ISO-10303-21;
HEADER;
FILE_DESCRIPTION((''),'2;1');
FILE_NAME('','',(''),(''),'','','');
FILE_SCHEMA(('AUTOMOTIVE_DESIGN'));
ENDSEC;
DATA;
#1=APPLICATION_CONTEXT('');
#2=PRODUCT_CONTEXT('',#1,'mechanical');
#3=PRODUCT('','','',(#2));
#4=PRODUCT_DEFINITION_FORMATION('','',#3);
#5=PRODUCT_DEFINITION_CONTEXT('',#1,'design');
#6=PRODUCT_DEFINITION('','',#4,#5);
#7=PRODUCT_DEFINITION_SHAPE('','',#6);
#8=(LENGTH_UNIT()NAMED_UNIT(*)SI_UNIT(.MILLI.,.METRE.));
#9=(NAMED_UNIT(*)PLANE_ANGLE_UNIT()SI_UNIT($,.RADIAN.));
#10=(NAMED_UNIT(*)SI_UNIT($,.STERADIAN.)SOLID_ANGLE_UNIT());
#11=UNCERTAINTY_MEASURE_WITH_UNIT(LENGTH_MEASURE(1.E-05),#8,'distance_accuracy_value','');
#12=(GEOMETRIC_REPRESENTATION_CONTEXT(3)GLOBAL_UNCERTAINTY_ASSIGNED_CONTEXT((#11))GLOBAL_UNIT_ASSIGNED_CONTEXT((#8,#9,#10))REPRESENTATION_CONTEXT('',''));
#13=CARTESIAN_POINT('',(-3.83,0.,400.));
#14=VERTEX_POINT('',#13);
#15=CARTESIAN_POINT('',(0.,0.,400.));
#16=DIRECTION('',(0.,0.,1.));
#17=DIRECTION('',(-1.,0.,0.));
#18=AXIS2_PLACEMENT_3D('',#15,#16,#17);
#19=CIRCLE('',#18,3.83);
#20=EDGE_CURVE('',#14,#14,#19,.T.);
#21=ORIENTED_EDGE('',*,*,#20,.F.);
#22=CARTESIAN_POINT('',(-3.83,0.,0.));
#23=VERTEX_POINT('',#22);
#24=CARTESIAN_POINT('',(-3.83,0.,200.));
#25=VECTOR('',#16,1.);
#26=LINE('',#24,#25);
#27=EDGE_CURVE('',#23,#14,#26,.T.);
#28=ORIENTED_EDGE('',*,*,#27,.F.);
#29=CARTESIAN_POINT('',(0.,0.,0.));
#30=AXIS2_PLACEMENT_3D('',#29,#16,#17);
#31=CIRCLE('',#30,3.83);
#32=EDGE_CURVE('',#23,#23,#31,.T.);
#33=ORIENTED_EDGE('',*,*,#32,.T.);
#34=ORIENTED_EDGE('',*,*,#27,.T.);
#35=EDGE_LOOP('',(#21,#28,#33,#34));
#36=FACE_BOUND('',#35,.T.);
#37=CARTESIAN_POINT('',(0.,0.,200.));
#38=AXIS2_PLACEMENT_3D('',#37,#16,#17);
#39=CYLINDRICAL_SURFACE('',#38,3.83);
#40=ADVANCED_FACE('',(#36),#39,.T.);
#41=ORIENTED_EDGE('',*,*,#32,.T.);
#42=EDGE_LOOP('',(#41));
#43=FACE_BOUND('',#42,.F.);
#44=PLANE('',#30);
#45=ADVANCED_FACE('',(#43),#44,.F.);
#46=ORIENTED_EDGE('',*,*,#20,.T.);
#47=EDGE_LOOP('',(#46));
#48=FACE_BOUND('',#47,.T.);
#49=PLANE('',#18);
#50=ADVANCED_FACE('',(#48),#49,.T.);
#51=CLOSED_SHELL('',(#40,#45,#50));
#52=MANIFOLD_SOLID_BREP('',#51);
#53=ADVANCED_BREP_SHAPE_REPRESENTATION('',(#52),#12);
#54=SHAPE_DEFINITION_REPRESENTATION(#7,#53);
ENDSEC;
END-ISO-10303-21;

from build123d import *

# Parameters (mm, degrees)
SKETCH001_W = 3.83
SKETCH001_H = 400


with BuildPart() as part:
    # Sketch001 → Revolution001 (revolve)
    with BuildSketch(Plane.XZ):
        with Locations((-1.915, 200)):
            Rectangle(SKETCH001_W, SKETCH001_H)
    revolve(axis=Axis((0, 0, 0), (0, 0, 1)))


solid = part.part
